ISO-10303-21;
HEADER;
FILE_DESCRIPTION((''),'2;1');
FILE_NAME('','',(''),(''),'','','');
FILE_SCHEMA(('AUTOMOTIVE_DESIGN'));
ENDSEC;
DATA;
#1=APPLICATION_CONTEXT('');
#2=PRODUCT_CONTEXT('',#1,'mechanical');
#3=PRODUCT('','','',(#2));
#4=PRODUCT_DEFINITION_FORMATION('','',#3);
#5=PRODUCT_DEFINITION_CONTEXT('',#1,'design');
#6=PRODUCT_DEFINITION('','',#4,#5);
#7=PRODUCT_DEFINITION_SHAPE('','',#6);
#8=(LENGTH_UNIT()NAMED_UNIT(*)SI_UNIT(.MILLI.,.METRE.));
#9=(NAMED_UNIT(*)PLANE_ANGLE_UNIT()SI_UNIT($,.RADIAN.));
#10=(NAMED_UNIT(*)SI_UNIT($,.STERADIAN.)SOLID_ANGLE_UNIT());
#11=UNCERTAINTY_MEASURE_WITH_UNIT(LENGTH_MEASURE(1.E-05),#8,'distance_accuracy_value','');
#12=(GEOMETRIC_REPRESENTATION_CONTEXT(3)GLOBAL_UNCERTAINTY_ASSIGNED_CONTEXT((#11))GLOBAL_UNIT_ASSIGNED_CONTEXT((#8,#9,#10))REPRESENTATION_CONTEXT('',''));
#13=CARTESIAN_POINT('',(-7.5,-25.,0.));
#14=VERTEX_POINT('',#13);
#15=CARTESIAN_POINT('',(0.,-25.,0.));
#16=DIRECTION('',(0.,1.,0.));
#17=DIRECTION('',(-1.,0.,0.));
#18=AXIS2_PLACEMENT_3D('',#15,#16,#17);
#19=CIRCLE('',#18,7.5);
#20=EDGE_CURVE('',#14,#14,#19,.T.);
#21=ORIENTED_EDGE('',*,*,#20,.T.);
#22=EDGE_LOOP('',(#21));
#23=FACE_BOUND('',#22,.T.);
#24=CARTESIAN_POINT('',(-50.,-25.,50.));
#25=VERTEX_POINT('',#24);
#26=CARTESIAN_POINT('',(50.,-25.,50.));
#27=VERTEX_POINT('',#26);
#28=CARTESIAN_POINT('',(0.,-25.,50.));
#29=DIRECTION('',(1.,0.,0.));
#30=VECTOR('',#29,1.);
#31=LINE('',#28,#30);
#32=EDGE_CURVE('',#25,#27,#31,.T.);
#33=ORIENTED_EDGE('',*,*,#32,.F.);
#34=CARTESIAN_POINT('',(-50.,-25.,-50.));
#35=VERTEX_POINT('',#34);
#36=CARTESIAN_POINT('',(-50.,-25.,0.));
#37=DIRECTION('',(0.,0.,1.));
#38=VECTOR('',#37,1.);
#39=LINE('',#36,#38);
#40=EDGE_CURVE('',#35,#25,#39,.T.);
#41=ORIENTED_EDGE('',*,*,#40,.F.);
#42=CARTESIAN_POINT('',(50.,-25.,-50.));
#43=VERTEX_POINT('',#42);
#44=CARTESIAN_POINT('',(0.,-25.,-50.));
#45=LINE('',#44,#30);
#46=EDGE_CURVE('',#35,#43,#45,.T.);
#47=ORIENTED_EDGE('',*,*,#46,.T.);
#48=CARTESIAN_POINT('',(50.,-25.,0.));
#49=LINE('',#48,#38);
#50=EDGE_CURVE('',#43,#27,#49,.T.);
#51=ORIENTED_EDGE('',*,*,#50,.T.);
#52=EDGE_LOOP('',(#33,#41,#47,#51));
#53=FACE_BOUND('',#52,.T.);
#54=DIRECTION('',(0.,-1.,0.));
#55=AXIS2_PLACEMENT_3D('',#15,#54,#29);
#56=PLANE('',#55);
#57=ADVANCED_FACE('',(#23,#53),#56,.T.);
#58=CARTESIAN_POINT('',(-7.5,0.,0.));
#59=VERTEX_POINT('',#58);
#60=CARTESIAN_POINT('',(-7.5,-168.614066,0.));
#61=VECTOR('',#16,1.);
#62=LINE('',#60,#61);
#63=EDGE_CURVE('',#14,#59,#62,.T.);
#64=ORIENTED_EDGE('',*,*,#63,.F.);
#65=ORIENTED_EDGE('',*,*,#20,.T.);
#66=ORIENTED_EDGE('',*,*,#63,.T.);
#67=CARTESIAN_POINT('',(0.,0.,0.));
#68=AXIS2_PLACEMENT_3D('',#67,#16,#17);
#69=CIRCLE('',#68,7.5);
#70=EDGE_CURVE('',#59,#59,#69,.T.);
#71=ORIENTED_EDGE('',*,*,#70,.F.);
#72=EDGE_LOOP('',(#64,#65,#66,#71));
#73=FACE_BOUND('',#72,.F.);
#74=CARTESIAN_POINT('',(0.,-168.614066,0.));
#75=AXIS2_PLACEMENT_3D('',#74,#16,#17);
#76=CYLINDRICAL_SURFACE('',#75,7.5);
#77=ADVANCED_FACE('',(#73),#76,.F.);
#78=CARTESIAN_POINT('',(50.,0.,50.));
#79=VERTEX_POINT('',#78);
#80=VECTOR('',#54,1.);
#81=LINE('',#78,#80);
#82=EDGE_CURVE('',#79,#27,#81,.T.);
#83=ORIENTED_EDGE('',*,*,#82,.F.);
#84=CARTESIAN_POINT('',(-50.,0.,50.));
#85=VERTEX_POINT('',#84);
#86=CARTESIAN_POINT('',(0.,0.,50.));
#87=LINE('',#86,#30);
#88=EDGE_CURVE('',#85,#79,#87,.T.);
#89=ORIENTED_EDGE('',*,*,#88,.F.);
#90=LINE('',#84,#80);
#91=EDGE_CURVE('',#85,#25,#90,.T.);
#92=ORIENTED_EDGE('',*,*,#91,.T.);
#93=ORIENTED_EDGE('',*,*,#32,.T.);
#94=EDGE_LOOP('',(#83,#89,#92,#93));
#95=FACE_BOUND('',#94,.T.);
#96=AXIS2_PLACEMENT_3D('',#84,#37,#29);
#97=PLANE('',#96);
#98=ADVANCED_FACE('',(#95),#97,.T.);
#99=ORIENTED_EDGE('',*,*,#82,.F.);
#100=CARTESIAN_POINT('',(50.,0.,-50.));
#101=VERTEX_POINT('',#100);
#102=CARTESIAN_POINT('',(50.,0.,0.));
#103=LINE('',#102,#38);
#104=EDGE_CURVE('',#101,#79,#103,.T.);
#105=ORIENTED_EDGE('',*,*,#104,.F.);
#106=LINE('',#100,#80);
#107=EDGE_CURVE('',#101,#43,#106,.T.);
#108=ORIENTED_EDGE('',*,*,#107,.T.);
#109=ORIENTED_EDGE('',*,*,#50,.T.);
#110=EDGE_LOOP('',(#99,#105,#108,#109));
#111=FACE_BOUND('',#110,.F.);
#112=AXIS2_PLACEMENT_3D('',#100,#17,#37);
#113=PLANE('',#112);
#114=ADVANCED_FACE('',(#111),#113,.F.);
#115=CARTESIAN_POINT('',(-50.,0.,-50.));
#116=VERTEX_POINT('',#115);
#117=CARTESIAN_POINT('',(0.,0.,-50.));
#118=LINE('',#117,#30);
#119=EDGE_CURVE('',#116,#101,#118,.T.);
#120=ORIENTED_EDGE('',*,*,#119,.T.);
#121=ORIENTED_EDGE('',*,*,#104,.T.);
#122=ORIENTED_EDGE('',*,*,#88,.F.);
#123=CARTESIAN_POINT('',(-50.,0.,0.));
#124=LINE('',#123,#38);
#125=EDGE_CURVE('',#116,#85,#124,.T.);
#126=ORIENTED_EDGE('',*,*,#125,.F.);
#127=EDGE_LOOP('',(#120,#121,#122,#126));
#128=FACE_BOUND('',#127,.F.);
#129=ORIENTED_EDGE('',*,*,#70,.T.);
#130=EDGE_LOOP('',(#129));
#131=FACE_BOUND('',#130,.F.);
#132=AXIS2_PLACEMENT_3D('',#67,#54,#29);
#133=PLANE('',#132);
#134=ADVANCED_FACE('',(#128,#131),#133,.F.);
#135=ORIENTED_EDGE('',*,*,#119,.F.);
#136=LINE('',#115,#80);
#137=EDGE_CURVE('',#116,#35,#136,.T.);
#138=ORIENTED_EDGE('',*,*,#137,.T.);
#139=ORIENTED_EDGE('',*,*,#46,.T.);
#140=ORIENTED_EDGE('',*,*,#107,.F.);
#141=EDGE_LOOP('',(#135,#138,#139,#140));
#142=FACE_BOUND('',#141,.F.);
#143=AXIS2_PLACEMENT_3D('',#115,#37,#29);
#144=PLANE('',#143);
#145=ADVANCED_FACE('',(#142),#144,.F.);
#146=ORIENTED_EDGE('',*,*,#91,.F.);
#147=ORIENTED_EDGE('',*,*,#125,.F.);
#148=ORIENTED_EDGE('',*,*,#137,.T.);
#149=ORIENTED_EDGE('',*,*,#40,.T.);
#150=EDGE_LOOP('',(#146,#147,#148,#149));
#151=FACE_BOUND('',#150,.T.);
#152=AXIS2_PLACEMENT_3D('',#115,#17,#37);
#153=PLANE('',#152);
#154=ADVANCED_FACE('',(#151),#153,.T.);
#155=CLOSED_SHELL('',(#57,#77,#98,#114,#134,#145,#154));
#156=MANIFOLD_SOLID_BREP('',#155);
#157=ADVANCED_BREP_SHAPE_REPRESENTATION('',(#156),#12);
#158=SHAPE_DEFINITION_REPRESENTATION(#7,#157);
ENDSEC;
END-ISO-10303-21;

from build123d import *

# Parameters (mm, degrees)
F0_W     = 100
F0_H     = 100
F1_DEPTH = 25
F3_D     = 15


with BuildPart() as f1:
    # F0 (on Front) → F1 (new body)
    with BuildSketch(Plane.XZ):
        Rectangle(F0_W, F0_H)
    extrude(amount=F1_DEPTH)

    # F3 (through all)
    with Locations(Plane.XZ.offset(25)):
        with Locations((0, 0)):
            Hole(F3_D / 2)


solid = f1.part
